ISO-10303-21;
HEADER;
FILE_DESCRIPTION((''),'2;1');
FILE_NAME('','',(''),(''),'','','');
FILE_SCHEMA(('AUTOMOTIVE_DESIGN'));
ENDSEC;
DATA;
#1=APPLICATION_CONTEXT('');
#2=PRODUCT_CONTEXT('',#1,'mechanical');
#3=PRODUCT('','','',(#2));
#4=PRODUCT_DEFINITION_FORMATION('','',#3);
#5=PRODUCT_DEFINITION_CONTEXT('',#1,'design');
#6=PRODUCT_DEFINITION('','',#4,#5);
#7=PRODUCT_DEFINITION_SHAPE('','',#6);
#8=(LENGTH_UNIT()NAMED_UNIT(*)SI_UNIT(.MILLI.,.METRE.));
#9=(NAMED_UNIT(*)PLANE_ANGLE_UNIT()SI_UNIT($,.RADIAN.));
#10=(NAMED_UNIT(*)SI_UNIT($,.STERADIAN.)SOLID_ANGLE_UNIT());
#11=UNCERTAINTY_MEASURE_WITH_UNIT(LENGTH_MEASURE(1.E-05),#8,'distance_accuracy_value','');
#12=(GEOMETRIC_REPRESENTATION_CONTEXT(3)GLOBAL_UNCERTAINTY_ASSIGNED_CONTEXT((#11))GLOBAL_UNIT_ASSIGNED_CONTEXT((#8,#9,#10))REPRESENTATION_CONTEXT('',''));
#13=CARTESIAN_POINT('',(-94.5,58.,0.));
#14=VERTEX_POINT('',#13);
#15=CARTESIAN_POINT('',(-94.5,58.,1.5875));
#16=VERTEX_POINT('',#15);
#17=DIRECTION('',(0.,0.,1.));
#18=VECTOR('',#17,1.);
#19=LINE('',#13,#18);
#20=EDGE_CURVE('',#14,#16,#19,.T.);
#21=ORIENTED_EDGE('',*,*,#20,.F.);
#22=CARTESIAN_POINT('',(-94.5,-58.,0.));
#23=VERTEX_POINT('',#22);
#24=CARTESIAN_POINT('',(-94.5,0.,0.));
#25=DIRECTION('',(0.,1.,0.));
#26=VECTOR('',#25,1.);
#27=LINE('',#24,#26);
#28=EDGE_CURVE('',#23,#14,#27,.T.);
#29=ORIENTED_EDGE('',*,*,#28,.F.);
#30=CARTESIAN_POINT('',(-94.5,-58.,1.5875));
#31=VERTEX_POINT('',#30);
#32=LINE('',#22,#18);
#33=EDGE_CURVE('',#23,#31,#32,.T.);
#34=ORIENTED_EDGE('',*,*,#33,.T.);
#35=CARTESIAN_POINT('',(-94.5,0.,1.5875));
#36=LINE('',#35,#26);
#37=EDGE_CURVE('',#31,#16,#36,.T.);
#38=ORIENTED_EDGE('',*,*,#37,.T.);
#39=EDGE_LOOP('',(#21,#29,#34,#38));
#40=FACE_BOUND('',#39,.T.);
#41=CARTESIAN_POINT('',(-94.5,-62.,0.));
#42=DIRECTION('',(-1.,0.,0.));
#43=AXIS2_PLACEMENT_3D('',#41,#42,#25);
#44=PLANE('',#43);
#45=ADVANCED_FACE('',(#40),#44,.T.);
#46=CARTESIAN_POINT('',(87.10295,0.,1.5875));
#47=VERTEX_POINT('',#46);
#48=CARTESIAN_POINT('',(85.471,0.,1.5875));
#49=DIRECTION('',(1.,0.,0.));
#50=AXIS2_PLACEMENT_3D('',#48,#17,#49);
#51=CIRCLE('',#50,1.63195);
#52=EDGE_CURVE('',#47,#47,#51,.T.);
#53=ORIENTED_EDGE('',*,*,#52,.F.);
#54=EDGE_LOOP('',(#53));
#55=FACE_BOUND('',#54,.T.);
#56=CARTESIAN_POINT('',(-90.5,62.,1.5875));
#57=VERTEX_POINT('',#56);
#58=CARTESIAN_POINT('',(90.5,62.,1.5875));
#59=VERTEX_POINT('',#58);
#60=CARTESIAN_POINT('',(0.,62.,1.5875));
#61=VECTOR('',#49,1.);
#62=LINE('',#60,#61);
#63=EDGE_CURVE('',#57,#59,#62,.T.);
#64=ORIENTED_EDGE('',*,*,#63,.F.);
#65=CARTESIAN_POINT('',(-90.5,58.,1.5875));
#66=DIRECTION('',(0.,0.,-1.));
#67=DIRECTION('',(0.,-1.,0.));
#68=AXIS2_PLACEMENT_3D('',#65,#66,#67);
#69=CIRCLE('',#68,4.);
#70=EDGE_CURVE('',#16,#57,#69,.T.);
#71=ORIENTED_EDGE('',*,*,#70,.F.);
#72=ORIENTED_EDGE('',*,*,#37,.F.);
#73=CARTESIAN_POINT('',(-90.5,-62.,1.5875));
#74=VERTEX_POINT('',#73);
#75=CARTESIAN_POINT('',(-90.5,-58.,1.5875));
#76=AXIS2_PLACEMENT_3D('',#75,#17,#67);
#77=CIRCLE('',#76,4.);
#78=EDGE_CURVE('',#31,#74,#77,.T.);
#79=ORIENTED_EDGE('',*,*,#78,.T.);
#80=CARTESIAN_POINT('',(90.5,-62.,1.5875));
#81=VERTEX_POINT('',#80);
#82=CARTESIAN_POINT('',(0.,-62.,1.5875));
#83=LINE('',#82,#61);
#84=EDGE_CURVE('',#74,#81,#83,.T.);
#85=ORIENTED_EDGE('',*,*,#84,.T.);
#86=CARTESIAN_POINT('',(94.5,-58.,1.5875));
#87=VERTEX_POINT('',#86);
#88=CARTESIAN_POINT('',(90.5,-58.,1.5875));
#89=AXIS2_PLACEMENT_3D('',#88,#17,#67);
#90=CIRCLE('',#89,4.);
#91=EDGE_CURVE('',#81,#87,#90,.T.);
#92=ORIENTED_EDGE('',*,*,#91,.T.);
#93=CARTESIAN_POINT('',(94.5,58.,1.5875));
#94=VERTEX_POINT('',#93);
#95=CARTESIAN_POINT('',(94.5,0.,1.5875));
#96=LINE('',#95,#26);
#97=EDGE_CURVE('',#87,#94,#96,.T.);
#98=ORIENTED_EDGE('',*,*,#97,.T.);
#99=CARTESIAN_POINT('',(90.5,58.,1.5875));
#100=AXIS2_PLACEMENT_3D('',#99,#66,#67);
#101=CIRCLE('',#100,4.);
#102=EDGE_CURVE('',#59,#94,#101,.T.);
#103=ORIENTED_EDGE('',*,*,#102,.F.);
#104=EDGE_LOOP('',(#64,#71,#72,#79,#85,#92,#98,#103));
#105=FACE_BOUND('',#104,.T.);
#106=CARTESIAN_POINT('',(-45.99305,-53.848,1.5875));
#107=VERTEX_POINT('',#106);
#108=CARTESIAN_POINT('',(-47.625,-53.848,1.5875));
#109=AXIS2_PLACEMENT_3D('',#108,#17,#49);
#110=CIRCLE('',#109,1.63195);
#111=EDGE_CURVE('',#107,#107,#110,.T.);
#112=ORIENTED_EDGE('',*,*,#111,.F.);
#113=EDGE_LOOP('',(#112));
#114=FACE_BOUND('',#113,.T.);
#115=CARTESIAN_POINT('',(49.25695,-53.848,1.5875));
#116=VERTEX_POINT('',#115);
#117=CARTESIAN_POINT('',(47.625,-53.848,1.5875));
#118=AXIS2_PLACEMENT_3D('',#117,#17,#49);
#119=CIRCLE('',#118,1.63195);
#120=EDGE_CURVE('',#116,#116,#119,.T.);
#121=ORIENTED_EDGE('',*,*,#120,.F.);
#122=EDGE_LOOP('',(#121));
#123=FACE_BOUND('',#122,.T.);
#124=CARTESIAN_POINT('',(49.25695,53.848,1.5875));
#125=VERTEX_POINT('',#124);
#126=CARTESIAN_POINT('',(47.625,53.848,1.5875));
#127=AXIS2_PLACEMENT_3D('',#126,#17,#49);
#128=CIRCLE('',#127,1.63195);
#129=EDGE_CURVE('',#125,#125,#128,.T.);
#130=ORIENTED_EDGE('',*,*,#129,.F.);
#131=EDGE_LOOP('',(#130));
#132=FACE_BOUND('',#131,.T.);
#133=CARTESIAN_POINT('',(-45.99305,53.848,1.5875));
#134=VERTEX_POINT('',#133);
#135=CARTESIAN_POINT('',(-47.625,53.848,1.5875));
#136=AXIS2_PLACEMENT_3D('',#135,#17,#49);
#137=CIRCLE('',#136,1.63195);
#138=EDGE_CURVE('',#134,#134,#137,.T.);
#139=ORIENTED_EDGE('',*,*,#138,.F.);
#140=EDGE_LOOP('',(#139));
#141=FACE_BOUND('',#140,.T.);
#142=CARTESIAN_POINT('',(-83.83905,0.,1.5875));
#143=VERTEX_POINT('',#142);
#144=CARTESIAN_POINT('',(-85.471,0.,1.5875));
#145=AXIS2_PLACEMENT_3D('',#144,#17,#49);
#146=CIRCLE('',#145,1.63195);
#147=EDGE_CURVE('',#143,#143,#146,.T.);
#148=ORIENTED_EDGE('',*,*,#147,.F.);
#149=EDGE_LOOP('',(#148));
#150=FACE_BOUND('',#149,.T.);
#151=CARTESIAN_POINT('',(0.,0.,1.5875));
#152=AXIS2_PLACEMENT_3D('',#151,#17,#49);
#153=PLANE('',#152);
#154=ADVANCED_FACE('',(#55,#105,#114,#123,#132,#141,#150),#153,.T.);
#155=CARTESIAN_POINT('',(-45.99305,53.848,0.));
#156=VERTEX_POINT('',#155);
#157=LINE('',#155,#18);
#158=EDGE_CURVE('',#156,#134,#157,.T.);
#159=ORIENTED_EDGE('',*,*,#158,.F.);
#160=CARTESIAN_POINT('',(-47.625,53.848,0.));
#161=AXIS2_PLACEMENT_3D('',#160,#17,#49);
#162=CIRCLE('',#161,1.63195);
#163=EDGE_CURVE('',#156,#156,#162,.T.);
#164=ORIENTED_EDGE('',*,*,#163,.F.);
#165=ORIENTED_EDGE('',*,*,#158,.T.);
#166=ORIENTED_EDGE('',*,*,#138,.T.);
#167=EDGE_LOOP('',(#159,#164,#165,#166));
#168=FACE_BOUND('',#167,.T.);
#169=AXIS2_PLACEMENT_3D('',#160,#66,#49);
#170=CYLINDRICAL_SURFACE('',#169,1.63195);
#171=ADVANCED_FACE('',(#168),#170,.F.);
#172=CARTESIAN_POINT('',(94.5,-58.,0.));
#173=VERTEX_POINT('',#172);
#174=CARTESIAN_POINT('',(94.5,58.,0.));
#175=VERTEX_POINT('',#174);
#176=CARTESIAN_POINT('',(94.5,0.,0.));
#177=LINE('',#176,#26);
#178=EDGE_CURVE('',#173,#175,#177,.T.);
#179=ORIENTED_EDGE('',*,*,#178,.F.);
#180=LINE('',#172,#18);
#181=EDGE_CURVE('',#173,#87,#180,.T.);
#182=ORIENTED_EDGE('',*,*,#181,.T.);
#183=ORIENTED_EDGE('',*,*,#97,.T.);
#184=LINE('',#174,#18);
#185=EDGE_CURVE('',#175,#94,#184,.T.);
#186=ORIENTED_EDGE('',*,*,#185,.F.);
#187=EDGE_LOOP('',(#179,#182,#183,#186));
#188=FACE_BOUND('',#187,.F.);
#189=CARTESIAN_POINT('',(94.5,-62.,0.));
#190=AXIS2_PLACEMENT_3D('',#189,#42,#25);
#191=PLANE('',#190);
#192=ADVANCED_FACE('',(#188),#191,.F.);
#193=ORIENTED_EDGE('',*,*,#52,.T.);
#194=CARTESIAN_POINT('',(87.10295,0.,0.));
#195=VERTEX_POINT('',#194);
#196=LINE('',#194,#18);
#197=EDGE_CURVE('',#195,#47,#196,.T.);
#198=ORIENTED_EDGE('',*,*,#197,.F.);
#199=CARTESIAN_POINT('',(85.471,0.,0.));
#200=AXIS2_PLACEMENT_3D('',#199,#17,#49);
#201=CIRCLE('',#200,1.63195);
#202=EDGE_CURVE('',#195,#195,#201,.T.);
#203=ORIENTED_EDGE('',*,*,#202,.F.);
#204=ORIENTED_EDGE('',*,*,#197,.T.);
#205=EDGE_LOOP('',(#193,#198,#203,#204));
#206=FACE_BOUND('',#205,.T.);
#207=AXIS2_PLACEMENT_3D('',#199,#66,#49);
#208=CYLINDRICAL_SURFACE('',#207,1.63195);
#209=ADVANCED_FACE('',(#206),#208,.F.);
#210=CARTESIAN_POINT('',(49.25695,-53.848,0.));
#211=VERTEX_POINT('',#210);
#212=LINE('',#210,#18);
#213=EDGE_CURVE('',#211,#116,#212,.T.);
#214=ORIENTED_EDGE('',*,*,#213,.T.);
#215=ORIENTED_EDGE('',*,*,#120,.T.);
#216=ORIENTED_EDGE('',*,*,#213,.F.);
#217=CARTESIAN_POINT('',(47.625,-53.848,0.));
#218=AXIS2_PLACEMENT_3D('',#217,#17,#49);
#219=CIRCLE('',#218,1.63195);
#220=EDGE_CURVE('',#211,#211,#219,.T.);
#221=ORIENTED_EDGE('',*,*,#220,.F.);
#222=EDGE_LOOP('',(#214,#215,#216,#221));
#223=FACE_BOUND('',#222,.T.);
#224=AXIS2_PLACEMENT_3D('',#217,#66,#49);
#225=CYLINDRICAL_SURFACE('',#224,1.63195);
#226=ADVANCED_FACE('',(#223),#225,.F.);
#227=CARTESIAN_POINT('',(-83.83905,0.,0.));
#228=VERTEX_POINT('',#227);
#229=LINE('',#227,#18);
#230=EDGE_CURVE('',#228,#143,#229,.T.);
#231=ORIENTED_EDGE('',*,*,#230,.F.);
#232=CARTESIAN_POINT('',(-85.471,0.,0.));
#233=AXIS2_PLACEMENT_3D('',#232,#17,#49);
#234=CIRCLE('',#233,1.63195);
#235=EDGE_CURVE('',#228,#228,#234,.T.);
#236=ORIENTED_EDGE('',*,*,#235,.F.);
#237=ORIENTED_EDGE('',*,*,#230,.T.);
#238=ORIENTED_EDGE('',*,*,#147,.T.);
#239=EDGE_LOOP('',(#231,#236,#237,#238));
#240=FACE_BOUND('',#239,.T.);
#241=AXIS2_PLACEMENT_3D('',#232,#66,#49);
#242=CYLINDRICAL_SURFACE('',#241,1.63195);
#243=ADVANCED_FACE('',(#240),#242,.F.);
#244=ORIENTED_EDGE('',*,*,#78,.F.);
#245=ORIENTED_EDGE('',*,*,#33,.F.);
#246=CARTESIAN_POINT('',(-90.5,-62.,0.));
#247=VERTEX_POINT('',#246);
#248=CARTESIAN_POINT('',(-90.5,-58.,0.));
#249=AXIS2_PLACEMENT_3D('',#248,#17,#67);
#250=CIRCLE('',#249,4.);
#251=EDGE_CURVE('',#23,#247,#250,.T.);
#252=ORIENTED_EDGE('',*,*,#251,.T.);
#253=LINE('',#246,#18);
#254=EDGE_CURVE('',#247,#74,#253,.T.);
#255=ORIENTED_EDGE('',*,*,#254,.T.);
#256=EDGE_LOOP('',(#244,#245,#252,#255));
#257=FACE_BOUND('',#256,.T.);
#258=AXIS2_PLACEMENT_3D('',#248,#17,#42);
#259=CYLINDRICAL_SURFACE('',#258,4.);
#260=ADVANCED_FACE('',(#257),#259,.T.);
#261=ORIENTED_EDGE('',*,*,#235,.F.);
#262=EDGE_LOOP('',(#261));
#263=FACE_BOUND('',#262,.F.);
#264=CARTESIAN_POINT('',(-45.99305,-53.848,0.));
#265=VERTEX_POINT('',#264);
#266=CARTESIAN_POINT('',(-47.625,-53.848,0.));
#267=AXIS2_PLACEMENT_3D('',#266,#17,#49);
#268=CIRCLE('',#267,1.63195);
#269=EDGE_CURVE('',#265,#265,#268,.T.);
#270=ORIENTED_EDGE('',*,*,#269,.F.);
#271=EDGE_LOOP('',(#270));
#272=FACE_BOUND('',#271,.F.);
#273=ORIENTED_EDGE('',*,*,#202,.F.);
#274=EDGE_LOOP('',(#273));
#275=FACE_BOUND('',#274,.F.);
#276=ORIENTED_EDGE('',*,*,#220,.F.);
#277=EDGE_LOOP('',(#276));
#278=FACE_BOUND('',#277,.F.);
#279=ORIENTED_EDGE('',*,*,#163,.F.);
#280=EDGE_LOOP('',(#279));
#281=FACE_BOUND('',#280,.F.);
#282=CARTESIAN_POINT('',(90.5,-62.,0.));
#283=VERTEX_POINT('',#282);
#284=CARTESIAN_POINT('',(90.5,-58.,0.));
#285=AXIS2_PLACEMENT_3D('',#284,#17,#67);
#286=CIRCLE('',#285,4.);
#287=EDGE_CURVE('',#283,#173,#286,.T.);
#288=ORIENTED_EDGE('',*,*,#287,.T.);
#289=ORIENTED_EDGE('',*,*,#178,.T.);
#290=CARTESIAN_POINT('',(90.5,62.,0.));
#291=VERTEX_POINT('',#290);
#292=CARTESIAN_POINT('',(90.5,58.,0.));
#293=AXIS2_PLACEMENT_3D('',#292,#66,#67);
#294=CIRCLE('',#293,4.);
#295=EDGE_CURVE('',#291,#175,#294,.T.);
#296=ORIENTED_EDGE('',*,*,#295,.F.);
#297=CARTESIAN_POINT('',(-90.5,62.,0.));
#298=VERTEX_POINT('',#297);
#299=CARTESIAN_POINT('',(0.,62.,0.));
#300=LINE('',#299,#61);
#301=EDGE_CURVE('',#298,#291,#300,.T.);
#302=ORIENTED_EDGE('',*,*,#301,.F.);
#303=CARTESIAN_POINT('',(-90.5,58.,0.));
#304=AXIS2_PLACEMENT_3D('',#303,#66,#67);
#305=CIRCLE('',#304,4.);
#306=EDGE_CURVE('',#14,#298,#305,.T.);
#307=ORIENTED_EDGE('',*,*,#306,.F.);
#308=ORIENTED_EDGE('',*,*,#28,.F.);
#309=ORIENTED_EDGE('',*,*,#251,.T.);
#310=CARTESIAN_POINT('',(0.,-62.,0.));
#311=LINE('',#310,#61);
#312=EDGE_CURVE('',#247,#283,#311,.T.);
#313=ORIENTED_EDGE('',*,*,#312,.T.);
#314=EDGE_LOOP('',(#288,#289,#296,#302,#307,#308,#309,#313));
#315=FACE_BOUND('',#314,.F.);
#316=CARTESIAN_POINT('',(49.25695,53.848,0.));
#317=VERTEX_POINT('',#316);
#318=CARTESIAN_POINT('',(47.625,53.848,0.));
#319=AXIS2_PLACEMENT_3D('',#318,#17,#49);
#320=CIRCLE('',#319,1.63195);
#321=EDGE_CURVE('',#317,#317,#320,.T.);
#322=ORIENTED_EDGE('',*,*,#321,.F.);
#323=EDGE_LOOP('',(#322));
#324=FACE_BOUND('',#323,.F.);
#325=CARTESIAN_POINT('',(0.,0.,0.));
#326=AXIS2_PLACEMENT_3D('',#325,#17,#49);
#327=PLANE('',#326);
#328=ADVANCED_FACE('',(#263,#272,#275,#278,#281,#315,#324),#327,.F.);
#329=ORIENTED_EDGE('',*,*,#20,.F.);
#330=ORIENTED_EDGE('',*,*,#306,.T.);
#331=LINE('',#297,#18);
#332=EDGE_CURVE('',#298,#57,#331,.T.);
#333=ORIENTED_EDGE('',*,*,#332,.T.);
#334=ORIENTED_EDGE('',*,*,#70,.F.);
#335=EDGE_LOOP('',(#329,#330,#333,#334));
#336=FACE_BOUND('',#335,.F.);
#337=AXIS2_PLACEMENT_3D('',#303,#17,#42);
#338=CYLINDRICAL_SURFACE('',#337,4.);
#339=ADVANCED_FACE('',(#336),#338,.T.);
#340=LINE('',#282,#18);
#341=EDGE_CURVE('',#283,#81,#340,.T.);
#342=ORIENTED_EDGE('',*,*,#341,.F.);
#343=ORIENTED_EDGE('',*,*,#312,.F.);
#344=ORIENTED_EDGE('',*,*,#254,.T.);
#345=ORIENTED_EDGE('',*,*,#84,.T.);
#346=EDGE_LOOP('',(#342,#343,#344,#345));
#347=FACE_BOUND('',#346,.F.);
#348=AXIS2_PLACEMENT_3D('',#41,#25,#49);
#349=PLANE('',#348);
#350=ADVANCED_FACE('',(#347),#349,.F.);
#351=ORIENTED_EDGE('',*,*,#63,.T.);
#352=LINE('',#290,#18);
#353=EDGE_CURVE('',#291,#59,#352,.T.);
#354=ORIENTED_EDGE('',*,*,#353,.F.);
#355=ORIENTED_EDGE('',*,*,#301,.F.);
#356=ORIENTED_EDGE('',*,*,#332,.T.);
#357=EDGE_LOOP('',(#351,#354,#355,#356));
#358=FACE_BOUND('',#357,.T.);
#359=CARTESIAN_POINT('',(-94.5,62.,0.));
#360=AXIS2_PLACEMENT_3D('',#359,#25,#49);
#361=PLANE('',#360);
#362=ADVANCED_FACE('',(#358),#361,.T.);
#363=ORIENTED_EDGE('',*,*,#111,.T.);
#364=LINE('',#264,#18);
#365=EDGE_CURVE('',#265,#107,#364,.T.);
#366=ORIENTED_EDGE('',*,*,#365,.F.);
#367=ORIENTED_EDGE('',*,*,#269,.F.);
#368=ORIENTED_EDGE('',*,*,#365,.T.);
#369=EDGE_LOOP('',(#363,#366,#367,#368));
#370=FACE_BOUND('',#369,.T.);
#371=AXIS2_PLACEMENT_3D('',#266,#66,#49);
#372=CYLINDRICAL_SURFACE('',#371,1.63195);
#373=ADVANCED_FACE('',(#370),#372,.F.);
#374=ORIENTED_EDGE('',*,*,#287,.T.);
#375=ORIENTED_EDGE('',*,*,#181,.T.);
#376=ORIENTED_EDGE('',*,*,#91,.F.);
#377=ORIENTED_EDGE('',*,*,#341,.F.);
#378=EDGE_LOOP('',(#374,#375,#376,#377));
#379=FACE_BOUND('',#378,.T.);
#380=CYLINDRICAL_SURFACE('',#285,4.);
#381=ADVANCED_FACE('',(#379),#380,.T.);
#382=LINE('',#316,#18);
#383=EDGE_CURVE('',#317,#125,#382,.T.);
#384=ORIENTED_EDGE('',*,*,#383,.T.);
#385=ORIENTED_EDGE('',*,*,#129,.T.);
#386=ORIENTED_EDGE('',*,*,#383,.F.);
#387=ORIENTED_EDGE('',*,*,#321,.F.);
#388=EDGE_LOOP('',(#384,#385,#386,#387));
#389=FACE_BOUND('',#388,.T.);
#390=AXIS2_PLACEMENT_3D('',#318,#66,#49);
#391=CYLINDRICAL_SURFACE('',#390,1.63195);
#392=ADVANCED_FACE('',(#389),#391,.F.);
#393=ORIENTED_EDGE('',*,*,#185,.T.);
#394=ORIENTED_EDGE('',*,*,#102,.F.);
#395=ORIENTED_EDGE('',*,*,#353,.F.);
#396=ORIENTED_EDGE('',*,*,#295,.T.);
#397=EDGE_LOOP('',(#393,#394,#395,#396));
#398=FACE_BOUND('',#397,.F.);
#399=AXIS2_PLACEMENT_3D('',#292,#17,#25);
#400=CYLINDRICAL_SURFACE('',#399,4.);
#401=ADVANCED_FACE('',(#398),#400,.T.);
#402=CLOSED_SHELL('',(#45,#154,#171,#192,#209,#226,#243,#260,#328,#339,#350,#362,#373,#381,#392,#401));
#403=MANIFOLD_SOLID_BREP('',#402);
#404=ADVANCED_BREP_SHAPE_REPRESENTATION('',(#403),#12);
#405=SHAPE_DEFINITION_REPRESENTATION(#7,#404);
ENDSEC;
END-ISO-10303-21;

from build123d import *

# Parameters (mm, degrees)
F0_W     = 189
F0_H     = 124
F0_R     = 1.63195
F1_DEPTH = 1.5875
F2_R     = 4


with BuildPart() as f1:
    # F0 (on Top) → F1 (new body)
    with BuildSketch(Plane.XY):
        Rectangle(F0_W, F0_H)
        with Locations((-47.625, -53.848)):
            Circle(F0_R, mode=Mode.SUBTRACT)
        with Locations((47.625, -53.848)):
            Circle(F0_R, mode=Mode.SUBTRACT)
        with Locations((-85.471, 0)):
            Circle(F0_R, mode=Mode.SUBTRACT)
        with Locations((-47.625, 53.848)):
            Circle(F0_R, mode=Mode.SUBTRACT)
        with Locations((85.471, 0)):
            Circle(F0_R, mode=Mode.SUBTRACT)
        with Locations((47.625, 53.848)):
            Circle(F0_R, mode=Mode.SUBTRACT)
    extrude(amount=F1_DEPTH)

    # F2
    f2_edges = [f1.edges().sort_by_distance(p)[0] for p in [
        (-94.5, 62, 0.79375),
        (-94.5, -62, 0.79375),
        (94.5, 62, 0.79375),
        (94.5, -62, 0.79375),
    ]]
    fillet(f2_edges, radius=F2_R)


solid = f1.part
